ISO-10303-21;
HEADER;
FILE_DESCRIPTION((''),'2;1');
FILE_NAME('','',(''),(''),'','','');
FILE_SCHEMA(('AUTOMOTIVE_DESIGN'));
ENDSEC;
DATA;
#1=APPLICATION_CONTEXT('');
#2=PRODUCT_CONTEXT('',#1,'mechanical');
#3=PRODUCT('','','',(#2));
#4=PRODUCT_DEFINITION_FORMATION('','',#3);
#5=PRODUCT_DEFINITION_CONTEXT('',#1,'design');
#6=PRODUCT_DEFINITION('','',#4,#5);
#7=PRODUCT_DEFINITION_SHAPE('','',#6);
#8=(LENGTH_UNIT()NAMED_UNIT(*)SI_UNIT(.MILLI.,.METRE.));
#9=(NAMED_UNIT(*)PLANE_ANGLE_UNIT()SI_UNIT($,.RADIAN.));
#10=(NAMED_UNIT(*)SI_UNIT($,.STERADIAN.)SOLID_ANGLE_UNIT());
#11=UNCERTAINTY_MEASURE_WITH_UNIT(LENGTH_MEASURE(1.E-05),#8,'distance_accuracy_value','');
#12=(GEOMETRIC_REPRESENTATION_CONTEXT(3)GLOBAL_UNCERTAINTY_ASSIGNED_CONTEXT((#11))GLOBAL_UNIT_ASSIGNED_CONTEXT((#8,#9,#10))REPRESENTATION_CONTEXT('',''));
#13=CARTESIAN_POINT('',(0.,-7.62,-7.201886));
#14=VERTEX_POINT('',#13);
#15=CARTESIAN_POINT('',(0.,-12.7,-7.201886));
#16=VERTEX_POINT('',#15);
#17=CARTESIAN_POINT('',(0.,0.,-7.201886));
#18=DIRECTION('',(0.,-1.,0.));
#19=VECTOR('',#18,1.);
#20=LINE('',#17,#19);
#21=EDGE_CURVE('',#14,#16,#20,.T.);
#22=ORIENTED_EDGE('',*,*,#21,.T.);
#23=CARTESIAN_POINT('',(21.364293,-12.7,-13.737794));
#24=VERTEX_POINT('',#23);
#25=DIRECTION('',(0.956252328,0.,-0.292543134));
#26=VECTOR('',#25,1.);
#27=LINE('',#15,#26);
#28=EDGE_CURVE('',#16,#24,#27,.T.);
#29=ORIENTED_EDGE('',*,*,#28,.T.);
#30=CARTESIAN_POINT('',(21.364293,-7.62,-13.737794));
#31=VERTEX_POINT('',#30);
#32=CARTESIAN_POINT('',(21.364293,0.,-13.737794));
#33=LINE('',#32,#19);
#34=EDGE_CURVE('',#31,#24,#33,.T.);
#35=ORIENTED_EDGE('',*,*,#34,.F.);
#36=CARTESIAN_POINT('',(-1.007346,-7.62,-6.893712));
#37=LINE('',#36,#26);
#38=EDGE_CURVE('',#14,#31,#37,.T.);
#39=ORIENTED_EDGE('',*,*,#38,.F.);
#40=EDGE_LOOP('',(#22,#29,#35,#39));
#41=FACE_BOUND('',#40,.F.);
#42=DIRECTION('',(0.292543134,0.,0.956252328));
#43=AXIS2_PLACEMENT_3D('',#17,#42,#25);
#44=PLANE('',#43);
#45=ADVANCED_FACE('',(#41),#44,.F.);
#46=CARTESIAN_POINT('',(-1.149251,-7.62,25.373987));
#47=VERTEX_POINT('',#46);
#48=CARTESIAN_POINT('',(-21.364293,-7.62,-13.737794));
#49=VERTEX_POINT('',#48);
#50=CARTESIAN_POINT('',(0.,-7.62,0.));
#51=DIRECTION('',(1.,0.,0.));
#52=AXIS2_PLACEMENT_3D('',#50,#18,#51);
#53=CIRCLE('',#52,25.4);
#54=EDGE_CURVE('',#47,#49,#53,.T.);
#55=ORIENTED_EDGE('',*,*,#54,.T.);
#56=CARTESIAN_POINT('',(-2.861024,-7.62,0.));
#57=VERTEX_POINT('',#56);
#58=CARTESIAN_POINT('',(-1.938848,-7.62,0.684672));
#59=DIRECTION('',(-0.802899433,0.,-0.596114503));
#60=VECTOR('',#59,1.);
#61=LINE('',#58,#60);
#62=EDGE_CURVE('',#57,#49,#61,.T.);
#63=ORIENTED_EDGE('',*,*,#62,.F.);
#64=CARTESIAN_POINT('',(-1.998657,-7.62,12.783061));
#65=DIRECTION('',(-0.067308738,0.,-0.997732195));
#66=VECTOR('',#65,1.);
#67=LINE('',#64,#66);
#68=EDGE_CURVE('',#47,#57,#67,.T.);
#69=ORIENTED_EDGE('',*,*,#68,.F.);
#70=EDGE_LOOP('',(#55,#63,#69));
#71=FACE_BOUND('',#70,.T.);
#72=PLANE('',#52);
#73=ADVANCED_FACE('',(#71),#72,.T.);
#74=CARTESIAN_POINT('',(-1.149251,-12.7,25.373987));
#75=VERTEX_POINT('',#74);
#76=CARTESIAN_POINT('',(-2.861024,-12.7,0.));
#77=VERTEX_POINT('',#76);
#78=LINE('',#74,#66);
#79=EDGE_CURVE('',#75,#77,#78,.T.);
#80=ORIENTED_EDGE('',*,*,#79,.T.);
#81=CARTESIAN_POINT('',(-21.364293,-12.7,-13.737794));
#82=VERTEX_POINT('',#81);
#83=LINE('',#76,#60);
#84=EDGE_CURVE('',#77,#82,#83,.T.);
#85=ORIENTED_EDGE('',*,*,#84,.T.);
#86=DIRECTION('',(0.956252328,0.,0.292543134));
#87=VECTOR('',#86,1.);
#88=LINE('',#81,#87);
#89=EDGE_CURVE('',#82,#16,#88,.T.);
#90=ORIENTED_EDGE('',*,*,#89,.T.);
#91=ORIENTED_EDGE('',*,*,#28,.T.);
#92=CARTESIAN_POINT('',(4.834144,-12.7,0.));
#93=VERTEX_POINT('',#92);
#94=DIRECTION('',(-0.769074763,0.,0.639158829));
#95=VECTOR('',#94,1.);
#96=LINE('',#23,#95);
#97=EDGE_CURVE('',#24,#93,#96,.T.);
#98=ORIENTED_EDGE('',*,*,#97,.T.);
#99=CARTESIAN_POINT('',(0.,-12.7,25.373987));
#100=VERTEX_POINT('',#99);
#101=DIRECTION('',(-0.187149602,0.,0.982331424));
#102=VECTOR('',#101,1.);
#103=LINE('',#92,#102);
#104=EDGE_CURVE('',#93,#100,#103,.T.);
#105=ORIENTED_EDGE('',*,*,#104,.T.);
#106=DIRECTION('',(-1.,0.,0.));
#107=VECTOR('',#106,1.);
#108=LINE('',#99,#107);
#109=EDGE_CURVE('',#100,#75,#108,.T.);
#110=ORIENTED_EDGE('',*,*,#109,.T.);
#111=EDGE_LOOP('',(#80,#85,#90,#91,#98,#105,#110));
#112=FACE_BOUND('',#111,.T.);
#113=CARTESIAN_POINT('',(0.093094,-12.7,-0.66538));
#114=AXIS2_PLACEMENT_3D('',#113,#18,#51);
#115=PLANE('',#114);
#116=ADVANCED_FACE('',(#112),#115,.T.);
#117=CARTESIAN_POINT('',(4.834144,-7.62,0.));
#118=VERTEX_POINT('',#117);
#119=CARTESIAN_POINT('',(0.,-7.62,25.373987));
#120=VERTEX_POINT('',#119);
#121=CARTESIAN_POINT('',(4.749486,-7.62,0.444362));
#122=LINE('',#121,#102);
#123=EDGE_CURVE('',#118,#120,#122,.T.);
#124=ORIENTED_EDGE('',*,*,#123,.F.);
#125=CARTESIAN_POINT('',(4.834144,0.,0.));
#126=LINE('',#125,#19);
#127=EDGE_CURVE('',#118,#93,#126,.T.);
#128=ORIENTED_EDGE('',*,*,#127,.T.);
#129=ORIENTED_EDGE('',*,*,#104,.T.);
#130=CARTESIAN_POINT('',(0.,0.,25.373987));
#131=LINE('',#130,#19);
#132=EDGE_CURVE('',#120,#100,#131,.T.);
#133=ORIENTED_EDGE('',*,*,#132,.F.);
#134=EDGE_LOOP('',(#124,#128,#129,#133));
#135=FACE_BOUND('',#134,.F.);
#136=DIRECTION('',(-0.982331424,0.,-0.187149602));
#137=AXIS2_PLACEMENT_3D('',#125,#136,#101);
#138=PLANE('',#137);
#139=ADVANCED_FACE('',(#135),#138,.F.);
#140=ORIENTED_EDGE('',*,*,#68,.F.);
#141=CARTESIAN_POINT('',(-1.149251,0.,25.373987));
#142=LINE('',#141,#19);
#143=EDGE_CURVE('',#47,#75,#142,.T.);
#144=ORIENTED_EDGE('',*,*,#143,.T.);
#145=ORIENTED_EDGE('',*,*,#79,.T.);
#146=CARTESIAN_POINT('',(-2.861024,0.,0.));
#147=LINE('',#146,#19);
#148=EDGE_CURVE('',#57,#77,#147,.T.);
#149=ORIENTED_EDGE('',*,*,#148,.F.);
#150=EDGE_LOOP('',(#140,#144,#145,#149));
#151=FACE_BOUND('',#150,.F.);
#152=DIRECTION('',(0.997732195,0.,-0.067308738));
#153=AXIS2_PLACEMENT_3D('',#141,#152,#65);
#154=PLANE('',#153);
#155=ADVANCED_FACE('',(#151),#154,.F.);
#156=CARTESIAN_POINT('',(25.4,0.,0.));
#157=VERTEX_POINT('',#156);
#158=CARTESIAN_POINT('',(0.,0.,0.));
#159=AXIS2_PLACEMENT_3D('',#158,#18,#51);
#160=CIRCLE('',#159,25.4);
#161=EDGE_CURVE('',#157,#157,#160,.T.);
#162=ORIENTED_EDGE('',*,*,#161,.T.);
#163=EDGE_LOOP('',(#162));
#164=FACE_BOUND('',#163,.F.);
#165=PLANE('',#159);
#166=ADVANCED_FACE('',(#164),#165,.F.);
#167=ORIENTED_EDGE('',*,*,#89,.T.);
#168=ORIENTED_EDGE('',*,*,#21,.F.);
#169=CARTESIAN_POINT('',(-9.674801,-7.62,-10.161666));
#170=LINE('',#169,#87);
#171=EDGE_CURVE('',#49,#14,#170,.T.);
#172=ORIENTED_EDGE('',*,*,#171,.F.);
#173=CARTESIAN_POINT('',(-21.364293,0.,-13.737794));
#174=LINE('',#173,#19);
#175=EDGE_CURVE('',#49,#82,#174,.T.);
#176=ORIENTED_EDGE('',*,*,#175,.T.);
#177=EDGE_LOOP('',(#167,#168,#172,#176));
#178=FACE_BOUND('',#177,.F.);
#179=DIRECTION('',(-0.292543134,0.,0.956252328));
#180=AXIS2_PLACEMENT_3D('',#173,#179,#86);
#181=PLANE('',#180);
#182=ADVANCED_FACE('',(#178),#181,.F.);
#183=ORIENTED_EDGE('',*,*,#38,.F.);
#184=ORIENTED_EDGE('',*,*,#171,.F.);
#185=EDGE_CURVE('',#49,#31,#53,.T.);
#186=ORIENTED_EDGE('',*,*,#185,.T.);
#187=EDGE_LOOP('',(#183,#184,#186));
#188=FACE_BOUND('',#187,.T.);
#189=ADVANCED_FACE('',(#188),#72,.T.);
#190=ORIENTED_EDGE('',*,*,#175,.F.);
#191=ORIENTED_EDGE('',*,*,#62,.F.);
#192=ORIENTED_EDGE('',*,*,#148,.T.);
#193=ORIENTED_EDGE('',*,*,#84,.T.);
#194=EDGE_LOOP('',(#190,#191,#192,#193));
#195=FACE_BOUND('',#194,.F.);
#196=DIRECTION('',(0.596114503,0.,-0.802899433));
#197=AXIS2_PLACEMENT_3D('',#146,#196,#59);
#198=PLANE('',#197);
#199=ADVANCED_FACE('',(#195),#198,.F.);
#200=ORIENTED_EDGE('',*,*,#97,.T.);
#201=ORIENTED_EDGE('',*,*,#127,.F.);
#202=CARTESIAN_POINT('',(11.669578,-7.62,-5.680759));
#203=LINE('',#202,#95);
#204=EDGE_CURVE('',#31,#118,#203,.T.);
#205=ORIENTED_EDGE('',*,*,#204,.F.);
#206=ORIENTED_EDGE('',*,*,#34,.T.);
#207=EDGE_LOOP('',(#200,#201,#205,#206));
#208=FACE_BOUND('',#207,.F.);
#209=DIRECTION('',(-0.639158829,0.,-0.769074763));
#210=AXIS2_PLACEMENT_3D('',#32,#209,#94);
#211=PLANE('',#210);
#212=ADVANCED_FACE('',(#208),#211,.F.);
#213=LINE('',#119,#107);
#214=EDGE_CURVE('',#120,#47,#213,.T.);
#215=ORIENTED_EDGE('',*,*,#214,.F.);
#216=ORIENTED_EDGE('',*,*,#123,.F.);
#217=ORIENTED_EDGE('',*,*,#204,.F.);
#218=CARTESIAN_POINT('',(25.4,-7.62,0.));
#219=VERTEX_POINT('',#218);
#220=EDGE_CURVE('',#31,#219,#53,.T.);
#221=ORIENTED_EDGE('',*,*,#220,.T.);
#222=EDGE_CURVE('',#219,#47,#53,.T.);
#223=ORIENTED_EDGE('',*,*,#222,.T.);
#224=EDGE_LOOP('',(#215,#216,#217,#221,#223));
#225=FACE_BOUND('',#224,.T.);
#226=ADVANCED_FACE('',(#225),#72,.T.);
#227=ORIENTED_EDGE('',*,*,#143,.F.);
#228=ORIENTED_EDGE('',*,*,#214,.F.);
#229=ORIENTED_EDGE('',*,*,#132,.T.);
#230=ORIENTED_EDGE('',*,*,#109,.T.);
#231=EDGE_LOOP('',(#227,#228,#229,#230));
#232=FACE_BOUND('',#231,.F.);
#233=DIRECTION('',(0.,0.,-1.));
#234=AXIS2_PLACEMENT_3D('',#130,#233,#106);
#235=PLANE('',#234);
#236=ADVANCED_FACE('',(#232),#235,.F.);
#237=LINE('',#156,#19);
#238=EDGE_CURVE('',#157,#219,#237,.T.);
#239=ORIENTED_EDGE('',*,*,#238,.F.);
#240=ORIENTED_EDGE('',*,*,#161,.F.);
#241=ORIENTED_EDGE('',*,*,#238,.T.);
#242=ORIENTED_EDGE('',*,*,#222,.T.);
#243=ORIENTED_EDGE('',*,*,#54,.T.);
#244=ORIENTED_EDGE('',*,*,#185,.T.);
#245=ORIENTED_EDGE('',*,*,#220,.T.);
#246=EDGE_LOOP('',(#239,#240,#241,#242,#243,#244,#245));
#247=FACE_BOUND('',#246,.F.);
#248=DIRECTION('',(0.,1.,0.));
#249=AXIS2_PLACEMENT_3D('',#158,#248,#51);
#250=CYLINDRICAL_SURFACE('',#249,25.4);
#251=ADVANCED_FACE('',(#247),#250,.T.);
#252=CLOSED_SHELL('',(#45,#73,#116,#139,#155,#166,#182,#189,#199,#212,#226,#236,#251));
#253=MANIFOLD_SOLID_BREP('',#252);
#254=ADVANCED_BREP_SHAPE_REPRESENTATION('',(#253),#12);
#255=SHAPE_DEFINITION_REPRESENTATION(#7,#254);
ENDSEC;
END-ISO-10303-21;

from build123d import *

# Parameters (mm, degrees)
F1_DEPTH = 12.7
F2_R     = 25.4
F3_DEPTH = 7.62


with BuildPart() as f1:
    # F0 (on Front) → F1 (new body)
    with BuildSketch(Plane.XZ):
        Polygon((0, 25.373987), (-1.149251, 25.373987), (-2.861024, 0), (-21.364293, -13.737794), (0, -7.201886), (21.364293, -13.737794), (4.834144, 0), align=None)
    extrude(amount=F1_DEPTH)

    # F2 (on Front) → F3 (join)
    with BuildSketch(Plane.XZ):
        Circle(F2_R)
    extrude(amount=F3_DEPTH)


solid = f1.part
